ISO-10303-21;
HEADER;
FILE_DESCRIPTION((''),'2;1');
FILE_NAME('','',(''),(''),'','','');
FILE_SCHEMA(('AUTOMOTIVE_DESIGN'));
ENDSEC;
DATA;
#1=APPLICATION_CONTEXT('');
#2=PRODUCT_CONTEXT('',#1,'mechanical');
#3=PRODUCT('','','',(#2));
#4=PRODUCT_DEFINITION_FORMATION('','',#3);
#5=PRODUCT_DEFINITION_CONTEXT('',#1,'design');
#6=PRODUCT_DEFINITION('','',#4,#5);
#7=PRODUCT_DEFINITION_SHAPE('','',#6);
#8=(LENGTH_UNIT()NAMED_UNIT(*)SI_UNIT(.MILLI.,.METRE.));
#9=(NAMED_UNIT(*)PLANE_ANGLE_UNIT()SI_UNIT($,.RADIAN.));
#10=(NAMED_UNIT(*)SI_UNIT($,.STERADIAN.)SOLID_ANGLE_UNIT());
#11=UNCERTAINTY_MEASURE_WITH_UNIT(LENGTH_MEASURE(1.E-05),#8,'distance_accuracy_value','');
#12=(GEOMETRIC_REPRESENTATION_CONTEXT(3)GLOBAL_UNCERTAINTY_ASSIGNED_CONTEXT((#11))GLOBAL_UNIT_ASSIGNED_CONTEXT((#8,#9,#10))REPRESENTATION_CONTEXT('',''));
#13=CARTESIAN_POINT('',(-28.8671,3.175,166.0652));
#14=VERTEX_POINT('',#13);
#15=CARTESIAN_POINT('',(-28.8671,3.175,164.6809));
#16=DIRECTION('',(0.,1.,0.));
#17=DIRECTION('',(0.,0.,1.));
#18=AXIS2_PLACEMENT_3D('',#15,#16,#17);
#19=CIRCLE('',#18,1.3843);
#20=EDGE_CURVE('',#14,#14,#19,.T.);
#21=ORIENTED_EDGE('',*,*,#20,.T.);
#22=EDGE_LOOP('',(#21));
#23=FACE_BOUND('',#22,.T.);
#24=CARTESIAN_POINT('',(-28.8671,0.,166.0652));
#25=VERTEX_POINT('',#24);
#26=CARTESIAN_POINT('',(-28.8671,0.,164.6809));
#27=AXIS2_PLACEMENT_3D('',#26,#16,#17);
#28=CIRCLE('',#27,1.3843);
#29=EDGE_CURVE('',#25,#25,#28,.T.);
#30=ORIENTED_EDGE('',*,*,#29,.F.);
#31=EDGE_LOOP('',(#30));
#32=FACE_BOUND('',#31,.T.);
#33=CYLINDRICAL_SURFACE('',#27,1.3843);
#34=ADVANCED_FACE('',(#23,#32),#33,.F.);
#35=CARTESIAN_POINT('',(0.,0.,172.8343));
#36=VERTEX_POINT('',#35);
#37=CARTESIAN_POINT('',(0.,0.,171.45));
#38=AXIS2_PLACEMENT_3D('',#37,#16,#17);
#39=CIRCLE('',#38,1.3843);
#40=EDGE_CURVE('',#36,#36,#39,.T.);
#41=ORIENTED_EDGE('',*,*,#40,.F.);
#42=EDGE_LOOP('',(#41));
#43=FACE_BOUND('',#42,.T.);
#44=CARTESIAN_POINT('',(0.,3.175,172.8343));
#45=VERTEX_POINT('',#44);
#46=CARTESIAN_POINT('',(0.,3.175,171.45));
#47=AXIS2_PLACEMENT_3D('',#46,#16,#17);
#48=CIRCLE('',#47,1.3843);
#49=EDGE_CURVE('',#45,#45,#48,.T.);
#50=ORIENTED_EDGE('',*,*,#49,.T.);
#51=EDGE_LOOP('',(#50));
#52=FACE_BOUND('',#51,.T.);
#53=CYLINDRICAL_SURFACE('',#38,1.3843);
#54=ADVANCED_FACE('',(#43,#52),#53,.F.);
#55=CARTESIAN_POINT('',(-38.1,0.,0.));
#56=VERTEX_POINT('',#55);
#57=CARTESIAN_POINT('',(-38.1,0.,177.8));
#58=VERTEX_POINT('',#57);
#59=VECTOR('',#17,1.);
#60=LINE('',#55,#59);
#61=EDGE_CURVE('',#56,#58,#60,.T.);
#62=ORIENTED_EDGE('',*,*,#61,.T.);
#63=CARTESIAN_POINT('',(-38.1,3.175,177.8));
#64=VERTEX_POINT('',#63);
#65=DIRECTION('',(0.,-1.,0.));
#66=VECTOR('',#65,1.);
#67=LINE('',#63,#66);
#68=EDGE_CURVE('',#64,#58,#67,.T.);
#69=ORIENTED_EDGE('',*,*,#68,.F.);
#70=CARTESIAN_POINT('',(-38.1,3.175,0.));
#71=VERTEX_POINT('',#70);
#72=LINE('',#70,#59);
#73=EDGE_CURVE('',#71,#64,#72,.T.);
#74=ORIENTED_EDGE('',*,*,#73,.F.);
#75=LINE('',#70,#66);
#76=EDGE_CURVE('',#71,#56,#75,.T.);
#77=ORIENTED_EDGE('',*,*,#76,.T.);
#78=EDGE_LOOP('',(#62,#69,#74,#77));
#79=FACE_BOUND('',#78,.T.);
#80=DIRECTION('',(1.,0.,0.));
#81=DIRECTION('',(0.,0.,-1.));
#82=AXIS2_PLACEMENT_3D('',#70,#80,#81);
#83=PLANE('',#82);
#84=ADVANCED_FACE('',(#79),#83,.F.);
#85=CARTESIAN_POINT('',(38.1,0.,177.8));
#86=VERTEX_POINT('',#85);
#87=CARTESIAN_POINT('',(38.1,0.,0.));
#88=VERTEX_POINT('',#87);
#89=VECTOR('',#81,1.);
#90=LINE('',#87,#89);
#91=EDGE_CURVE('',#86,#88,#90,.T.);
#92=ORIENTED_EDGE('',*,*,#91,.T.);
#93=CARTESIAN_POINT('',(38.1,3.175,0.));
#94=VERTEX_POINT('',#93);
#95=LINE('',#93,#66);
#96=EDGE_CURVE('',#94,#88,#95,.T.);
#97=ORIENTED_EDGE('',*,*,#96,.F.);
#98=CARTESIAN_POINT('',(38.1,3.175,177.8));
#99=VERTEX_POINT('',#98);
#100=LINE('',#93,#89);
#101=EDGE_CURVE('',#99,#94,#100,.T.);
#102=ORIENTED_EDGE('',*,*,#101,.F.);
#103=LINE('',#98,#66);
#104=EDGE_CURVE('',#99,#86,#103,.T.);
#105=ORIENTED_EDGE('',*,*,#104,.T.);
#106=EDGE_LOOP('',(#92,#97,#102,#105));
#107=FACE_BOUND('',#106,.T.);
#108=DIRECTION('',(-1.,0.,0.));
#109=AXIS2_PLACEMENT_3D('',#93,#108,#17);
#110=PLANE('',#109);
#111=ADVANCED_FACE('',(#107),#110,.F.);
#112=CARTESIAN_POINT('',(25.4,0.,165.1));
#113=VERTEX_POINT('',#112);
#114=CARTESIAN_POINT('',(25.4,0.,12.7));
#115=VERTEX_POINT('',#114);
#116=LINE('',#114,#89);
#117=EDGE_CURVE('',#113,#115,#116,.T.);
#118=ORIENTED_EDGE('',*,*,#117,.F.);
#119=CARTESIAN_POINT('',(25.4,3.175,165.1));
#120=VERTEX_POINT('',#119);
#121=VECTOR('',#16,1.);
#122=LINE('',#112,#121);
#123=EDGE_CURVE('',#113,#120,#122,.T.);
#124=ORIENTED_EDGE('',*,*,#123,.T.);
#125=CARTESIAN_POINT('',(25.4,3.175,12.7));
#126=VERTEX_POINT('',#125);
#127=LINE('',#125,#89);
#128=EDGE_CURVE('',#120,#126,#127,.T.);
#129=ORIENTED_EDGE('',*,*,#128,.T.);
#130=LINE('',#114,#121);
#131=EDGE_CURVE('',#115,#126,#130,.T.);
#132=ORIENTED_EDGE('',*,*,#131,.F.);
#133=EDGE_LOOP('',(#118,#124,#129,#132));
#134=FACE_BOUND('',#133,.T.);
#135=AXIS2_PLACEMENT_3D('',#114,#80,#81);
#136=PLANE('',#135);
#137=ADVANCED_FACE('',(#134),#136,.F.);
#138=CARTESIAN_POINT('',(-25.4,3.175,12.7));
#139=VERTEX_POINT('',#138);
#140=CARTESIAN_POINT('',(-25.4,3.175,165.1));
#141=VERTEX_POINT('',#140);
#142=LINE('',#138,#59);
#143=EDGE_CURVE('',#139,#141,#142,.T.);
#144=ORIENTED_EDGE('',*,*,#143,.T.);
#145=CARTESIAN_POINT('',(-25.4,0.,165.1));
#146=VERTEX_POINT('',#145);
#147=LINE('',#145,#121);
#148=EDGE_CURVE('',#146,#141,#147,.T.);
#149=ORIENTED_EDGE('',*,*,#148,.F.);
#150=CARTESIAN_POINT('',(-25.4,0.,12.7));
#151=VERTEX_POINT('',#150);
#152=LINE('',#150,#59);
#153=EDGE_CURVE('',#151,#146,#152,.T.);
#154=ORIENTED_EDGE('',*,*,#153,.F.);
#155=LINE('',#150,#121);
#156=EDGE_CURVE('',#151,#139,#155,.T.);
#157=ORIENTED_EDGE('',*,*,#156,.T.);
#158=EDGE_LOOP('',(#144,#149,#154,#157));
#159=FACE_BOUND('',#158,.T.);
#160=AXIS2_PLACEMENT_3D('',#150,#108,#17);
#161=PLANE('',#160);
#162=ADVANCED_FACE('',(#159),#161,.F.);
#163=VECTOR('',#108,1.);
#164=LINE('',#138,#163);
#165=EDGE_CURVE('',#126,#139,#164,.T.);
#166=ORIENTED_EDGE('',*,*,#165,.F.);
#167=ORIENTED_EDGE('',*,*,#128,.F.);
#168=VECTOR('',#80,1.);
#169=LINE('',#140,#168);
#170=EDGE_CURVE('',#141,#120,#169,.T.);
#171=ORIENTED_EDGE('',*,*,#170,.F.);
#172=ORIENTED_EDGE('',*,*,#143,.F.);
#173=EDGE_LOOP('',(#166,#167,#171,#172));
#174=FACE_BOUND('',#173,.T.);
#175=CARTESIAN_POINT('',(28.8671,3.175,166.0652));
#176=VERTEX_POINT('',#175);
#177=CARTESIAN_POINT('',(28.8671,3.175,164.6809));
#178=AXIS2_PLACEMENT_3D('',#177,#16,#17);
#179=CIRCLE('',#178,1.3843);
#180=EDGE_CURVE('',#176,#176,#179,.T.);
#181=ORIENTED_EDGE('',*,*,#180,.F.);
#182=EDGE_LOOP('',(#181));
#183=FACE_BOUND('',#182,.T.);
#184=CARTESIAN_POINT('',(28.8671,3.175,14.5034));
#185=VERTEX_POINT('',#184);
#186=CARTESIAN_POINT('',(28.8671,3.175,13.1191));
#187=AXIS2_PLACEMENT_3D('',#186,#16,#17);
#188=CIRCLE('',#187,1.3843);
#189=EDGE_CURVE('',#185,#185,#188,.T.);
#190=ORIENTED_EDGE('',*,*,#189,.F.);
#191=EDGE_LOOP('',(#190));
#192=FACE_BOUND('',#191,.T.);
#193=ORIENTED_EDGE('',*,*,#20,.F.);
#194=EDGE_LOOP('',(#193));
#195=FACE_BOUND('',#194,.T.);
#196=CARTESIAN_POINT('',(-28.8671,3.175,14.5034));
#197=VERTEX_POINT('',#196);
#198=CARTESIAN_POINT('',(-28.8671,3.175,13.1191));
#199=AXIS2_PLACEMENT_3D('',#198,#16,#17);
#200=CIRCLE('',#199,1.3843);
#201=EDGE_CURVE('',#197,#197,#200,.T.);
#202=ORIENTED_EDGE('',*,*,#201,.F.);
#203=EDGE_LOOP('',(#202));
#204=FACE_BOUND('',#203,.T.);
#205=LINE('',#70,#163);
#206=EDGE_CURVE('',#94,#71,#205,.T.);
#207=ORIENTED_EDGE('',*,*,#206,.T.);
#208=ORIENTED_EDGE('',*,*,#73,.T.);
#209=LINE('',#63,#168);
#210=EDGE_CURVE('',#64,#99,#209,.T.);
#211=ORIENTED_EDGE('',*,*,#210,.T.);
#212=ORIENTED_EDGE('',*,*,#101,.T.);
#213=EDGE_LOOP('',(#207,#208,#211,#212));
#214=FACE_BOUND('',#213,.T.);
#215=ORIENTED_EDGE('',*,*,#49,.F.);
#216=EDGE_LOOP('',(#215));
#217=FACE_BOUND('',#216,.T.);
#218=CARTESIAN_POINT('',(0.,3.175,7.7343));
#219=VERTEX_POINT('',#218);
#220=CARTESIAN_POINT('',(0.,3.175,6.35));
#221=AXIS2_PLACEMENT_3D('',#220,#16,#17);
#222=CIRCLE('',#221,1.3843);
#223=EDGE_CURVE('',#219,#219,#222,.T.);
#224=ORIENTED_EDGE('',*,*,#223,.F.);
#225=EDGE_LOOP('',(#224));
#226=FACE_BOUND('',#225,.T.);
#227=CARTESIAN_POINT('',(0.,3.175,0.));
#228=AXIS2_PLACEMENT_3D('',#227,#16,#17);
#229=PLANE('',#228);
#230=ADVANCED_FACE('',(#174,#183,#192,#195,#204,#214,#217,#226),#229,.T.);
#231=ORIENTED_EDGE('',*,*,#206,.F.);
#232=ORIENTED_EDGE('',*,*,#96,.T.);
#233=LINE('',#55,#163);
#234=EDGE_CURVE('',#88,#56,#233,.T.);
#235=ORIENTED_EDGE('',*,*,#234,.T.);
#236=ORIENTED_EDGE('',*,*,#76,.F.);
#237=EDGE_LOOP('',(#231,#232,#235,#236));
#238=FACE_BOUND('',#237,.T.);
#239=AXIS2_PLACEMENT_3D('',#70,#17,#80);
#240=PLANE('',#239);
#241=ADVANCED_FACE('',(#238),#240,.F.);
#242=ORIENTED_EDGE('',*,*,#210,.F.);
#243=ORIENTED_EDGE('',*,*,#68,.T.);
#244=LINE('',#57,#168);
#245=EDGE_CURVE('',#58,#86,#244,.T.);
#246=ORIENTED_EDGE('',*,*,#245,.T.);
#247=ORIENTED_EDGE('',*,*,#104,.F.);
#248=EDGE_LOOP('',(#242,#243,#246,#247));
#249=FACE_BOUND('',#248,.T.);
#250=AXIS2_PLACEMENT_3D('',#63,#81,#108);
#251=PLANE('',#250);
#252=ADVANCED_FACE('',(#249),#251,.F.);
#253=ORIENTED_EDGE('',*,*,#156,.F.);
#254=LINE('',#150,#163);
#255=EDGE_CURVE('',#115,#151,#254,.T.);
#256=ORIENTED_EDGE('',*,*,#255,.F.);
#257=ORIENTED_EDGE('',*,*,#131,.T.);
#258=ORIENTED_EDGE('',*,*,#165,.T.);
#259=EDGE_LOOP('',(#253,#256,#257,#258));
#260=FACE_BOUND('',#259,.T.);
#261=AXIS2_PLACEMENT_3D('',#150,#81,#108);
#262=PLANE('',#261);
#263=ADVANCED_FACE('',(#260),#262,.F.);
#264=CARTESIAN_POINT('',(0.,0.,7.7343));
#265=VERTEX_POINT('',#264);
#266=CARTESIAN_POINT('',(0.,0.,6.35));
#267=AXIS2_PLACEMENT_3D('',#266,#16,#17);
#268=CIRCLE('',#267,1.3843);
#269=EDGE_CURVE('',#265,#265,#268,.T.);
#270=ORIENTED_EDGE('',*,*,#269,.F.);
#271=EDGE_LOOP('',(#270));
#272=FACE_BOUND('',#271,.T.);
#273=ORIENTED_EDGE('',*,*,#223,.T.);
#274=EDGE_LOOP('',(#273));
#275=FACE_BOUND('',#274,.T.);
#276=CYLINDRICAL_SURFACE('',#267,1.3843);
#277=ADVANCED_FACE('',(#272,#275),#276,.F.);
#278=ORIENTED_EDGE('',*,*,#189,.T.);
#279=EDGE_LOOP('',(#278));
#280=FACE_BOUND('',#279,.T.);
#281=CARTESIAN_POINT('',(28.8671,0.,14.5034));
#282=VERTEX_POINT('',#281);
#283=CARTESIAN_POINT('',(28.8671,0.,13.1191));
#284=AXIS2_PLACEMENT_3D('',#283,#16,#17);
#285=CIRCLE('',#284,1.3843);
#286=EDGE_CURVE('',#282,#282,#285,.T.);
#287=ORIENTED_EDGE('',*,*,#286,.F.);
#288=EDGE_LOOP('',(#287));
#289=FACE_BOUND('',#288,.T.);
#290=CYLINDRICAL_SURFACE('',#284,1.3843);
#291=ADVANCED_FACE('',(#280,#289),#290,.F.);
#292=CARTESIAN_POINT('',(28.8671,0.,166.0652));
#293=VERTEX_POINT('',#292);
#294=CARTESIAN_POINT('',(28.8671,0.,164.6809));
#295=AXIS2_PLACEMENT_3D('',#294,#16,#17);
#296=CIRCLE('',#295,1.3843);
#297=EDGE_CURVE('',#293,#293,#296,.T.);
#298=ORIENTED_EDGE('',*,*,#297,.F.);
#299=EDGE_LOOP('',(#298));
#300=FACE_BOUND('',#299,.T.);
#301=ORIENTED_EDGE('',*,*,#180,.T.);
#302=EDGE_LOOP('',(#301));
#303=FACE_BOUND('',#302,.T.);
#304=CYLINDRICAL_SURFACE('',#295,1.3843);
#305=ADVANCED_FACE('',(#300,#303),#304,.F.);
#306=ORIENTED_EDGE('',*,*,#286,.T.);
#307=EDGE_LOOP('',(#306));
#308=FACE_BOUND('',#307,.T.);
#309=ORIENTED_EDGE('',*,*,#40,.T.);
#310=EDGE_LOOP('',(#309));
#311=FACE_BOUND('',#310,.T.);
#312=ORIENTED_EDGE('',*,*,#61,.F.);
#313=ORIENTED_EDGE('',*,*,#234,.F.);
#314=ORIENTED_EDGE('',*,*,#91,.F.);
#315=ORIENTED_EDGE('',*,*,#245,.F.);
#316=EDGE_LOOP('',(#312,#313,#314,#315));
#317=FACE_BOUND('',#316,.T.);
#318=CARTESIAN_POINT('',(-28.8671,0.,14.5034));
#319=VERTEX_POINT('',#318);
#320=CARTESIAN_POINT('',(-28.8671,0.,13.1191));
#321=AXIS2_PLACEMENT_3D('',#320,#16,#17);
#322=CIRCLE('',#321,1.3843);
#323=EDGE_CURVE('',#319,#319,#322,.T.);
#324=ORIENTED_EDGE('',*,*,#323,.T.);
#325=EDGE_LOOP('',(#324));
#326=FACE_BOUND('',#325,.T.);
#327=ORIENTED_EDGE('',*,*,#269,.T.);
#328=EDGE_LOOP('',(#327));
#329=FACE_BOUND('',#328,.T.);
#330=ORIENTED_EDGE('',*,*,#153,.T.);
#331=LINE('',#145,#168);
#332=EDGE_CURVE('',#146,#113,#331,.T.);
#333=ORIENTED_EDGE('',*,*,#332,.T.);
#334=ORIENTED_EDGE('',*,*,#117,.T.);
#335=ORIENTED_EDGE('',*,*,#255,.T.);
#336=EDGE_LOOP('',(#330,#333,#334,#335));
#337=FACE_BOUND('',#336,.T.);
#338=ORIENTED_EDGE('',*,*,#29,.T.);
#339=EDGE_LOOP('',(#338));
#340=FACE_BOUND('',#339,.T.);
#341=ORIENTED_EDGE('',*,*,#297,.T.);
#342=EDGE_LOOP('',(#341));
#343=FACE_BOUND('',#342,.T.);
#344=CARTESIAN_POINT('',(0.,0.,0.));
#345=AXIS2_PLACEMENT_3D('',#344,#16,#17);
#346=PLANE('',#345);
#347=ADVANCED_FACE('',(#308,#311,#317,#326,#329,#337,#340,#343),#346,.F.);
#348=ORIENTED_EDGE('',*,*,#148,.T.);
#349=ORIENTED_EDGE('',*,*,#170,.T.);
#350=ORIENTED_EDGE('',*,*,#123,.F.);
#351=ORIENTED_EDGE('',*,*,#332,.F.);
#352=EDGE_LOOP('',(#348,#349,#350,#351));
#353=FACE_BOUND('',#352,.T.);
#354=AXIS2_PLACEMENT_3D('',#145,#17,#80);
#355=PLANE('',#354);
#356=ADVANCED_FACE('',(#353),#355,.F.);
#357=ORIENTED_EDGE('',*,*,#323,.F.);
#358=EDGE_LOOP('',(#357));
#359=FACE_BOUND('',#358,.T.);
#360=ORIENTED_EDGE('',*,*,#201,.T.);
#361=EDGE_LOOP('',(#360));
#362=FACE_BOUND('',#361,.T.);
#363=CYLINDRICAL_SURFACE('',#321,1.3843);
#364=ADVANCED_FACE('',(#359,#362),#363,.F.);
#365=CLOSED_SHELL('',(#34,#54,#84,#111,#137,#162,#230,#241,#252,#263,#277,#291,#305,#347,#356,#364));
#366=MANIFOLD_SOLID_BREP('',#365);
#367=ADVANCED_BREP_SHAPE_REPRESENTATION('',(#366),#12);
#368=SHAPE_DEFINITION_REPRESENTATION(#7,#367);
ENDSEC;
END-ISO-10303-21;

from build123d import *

# Parameters (mm, degrees)
SKETCH1_W           = 76.2
SKETCH1_H           = 177.8
BOSS_EXTRUDE1_DEPTH = 3.175
SKETCH2_R           = 1.3843
SKETCH2_W           = 50.8
SKETCH2_H           = 152.4
CUT_EXTRUDE1_DEPTH  = 182.864044344


with BuildPart() as part:
    # Sketch1 → Boss-Extrude1 (new body)
    with BuildSketch(Plane(origin=(0, 0, 0), x_dir=(1, 0, 0), z_dir=(0, 1, 0))):
        with Locations((0, -88.9)):
            Rectangle(SKETCH1_W, SKETCH1_H)
    extrude(amount=BOSS_EXTRUDE1_DEPTH)

    # Sketch2 → Cut-Extrude1 (cut, through all)
    with BuildSketch(Plane(origin=(0, 3.175, 0), x_dir=(1, 0, 0), z_dir=(0, 1, 0))):
        with Locations(Location((0, -6.35, 0), (0, 0, 270))):
            Circle(SKETCH2_R)
        with Locations(Location((0, -171.45, 0), (0, 0, 270))):
            Circle(SKETCH2_R)
        with Locations(Location((-28.8671, -13.1191, 0), (0, 0, 270))):
            Circle(SKETCH2_R)
        with Locations(Location((28.8671, -13.1191, 0), (0, 0, 270))):
            Circle(SKETCH2_R)
        with Locations(Location((-28.8671, -164.6809, 0), (0, 0, 270))):
            Circle(SKETCH2_R)
        with Locations(Location((28.8671, -164.6809, 0), (0, 0, 270))):
            Circle(SKETCH2_R)
        with Locations((0, -88.9)):
            Rectangle(SKETCH2_W, SKETCH2_H)
    extrude(amount=-CUT_EXTRUDE1_DEPTH, mode=Mode.SUBTRACT)


solid = part.part
